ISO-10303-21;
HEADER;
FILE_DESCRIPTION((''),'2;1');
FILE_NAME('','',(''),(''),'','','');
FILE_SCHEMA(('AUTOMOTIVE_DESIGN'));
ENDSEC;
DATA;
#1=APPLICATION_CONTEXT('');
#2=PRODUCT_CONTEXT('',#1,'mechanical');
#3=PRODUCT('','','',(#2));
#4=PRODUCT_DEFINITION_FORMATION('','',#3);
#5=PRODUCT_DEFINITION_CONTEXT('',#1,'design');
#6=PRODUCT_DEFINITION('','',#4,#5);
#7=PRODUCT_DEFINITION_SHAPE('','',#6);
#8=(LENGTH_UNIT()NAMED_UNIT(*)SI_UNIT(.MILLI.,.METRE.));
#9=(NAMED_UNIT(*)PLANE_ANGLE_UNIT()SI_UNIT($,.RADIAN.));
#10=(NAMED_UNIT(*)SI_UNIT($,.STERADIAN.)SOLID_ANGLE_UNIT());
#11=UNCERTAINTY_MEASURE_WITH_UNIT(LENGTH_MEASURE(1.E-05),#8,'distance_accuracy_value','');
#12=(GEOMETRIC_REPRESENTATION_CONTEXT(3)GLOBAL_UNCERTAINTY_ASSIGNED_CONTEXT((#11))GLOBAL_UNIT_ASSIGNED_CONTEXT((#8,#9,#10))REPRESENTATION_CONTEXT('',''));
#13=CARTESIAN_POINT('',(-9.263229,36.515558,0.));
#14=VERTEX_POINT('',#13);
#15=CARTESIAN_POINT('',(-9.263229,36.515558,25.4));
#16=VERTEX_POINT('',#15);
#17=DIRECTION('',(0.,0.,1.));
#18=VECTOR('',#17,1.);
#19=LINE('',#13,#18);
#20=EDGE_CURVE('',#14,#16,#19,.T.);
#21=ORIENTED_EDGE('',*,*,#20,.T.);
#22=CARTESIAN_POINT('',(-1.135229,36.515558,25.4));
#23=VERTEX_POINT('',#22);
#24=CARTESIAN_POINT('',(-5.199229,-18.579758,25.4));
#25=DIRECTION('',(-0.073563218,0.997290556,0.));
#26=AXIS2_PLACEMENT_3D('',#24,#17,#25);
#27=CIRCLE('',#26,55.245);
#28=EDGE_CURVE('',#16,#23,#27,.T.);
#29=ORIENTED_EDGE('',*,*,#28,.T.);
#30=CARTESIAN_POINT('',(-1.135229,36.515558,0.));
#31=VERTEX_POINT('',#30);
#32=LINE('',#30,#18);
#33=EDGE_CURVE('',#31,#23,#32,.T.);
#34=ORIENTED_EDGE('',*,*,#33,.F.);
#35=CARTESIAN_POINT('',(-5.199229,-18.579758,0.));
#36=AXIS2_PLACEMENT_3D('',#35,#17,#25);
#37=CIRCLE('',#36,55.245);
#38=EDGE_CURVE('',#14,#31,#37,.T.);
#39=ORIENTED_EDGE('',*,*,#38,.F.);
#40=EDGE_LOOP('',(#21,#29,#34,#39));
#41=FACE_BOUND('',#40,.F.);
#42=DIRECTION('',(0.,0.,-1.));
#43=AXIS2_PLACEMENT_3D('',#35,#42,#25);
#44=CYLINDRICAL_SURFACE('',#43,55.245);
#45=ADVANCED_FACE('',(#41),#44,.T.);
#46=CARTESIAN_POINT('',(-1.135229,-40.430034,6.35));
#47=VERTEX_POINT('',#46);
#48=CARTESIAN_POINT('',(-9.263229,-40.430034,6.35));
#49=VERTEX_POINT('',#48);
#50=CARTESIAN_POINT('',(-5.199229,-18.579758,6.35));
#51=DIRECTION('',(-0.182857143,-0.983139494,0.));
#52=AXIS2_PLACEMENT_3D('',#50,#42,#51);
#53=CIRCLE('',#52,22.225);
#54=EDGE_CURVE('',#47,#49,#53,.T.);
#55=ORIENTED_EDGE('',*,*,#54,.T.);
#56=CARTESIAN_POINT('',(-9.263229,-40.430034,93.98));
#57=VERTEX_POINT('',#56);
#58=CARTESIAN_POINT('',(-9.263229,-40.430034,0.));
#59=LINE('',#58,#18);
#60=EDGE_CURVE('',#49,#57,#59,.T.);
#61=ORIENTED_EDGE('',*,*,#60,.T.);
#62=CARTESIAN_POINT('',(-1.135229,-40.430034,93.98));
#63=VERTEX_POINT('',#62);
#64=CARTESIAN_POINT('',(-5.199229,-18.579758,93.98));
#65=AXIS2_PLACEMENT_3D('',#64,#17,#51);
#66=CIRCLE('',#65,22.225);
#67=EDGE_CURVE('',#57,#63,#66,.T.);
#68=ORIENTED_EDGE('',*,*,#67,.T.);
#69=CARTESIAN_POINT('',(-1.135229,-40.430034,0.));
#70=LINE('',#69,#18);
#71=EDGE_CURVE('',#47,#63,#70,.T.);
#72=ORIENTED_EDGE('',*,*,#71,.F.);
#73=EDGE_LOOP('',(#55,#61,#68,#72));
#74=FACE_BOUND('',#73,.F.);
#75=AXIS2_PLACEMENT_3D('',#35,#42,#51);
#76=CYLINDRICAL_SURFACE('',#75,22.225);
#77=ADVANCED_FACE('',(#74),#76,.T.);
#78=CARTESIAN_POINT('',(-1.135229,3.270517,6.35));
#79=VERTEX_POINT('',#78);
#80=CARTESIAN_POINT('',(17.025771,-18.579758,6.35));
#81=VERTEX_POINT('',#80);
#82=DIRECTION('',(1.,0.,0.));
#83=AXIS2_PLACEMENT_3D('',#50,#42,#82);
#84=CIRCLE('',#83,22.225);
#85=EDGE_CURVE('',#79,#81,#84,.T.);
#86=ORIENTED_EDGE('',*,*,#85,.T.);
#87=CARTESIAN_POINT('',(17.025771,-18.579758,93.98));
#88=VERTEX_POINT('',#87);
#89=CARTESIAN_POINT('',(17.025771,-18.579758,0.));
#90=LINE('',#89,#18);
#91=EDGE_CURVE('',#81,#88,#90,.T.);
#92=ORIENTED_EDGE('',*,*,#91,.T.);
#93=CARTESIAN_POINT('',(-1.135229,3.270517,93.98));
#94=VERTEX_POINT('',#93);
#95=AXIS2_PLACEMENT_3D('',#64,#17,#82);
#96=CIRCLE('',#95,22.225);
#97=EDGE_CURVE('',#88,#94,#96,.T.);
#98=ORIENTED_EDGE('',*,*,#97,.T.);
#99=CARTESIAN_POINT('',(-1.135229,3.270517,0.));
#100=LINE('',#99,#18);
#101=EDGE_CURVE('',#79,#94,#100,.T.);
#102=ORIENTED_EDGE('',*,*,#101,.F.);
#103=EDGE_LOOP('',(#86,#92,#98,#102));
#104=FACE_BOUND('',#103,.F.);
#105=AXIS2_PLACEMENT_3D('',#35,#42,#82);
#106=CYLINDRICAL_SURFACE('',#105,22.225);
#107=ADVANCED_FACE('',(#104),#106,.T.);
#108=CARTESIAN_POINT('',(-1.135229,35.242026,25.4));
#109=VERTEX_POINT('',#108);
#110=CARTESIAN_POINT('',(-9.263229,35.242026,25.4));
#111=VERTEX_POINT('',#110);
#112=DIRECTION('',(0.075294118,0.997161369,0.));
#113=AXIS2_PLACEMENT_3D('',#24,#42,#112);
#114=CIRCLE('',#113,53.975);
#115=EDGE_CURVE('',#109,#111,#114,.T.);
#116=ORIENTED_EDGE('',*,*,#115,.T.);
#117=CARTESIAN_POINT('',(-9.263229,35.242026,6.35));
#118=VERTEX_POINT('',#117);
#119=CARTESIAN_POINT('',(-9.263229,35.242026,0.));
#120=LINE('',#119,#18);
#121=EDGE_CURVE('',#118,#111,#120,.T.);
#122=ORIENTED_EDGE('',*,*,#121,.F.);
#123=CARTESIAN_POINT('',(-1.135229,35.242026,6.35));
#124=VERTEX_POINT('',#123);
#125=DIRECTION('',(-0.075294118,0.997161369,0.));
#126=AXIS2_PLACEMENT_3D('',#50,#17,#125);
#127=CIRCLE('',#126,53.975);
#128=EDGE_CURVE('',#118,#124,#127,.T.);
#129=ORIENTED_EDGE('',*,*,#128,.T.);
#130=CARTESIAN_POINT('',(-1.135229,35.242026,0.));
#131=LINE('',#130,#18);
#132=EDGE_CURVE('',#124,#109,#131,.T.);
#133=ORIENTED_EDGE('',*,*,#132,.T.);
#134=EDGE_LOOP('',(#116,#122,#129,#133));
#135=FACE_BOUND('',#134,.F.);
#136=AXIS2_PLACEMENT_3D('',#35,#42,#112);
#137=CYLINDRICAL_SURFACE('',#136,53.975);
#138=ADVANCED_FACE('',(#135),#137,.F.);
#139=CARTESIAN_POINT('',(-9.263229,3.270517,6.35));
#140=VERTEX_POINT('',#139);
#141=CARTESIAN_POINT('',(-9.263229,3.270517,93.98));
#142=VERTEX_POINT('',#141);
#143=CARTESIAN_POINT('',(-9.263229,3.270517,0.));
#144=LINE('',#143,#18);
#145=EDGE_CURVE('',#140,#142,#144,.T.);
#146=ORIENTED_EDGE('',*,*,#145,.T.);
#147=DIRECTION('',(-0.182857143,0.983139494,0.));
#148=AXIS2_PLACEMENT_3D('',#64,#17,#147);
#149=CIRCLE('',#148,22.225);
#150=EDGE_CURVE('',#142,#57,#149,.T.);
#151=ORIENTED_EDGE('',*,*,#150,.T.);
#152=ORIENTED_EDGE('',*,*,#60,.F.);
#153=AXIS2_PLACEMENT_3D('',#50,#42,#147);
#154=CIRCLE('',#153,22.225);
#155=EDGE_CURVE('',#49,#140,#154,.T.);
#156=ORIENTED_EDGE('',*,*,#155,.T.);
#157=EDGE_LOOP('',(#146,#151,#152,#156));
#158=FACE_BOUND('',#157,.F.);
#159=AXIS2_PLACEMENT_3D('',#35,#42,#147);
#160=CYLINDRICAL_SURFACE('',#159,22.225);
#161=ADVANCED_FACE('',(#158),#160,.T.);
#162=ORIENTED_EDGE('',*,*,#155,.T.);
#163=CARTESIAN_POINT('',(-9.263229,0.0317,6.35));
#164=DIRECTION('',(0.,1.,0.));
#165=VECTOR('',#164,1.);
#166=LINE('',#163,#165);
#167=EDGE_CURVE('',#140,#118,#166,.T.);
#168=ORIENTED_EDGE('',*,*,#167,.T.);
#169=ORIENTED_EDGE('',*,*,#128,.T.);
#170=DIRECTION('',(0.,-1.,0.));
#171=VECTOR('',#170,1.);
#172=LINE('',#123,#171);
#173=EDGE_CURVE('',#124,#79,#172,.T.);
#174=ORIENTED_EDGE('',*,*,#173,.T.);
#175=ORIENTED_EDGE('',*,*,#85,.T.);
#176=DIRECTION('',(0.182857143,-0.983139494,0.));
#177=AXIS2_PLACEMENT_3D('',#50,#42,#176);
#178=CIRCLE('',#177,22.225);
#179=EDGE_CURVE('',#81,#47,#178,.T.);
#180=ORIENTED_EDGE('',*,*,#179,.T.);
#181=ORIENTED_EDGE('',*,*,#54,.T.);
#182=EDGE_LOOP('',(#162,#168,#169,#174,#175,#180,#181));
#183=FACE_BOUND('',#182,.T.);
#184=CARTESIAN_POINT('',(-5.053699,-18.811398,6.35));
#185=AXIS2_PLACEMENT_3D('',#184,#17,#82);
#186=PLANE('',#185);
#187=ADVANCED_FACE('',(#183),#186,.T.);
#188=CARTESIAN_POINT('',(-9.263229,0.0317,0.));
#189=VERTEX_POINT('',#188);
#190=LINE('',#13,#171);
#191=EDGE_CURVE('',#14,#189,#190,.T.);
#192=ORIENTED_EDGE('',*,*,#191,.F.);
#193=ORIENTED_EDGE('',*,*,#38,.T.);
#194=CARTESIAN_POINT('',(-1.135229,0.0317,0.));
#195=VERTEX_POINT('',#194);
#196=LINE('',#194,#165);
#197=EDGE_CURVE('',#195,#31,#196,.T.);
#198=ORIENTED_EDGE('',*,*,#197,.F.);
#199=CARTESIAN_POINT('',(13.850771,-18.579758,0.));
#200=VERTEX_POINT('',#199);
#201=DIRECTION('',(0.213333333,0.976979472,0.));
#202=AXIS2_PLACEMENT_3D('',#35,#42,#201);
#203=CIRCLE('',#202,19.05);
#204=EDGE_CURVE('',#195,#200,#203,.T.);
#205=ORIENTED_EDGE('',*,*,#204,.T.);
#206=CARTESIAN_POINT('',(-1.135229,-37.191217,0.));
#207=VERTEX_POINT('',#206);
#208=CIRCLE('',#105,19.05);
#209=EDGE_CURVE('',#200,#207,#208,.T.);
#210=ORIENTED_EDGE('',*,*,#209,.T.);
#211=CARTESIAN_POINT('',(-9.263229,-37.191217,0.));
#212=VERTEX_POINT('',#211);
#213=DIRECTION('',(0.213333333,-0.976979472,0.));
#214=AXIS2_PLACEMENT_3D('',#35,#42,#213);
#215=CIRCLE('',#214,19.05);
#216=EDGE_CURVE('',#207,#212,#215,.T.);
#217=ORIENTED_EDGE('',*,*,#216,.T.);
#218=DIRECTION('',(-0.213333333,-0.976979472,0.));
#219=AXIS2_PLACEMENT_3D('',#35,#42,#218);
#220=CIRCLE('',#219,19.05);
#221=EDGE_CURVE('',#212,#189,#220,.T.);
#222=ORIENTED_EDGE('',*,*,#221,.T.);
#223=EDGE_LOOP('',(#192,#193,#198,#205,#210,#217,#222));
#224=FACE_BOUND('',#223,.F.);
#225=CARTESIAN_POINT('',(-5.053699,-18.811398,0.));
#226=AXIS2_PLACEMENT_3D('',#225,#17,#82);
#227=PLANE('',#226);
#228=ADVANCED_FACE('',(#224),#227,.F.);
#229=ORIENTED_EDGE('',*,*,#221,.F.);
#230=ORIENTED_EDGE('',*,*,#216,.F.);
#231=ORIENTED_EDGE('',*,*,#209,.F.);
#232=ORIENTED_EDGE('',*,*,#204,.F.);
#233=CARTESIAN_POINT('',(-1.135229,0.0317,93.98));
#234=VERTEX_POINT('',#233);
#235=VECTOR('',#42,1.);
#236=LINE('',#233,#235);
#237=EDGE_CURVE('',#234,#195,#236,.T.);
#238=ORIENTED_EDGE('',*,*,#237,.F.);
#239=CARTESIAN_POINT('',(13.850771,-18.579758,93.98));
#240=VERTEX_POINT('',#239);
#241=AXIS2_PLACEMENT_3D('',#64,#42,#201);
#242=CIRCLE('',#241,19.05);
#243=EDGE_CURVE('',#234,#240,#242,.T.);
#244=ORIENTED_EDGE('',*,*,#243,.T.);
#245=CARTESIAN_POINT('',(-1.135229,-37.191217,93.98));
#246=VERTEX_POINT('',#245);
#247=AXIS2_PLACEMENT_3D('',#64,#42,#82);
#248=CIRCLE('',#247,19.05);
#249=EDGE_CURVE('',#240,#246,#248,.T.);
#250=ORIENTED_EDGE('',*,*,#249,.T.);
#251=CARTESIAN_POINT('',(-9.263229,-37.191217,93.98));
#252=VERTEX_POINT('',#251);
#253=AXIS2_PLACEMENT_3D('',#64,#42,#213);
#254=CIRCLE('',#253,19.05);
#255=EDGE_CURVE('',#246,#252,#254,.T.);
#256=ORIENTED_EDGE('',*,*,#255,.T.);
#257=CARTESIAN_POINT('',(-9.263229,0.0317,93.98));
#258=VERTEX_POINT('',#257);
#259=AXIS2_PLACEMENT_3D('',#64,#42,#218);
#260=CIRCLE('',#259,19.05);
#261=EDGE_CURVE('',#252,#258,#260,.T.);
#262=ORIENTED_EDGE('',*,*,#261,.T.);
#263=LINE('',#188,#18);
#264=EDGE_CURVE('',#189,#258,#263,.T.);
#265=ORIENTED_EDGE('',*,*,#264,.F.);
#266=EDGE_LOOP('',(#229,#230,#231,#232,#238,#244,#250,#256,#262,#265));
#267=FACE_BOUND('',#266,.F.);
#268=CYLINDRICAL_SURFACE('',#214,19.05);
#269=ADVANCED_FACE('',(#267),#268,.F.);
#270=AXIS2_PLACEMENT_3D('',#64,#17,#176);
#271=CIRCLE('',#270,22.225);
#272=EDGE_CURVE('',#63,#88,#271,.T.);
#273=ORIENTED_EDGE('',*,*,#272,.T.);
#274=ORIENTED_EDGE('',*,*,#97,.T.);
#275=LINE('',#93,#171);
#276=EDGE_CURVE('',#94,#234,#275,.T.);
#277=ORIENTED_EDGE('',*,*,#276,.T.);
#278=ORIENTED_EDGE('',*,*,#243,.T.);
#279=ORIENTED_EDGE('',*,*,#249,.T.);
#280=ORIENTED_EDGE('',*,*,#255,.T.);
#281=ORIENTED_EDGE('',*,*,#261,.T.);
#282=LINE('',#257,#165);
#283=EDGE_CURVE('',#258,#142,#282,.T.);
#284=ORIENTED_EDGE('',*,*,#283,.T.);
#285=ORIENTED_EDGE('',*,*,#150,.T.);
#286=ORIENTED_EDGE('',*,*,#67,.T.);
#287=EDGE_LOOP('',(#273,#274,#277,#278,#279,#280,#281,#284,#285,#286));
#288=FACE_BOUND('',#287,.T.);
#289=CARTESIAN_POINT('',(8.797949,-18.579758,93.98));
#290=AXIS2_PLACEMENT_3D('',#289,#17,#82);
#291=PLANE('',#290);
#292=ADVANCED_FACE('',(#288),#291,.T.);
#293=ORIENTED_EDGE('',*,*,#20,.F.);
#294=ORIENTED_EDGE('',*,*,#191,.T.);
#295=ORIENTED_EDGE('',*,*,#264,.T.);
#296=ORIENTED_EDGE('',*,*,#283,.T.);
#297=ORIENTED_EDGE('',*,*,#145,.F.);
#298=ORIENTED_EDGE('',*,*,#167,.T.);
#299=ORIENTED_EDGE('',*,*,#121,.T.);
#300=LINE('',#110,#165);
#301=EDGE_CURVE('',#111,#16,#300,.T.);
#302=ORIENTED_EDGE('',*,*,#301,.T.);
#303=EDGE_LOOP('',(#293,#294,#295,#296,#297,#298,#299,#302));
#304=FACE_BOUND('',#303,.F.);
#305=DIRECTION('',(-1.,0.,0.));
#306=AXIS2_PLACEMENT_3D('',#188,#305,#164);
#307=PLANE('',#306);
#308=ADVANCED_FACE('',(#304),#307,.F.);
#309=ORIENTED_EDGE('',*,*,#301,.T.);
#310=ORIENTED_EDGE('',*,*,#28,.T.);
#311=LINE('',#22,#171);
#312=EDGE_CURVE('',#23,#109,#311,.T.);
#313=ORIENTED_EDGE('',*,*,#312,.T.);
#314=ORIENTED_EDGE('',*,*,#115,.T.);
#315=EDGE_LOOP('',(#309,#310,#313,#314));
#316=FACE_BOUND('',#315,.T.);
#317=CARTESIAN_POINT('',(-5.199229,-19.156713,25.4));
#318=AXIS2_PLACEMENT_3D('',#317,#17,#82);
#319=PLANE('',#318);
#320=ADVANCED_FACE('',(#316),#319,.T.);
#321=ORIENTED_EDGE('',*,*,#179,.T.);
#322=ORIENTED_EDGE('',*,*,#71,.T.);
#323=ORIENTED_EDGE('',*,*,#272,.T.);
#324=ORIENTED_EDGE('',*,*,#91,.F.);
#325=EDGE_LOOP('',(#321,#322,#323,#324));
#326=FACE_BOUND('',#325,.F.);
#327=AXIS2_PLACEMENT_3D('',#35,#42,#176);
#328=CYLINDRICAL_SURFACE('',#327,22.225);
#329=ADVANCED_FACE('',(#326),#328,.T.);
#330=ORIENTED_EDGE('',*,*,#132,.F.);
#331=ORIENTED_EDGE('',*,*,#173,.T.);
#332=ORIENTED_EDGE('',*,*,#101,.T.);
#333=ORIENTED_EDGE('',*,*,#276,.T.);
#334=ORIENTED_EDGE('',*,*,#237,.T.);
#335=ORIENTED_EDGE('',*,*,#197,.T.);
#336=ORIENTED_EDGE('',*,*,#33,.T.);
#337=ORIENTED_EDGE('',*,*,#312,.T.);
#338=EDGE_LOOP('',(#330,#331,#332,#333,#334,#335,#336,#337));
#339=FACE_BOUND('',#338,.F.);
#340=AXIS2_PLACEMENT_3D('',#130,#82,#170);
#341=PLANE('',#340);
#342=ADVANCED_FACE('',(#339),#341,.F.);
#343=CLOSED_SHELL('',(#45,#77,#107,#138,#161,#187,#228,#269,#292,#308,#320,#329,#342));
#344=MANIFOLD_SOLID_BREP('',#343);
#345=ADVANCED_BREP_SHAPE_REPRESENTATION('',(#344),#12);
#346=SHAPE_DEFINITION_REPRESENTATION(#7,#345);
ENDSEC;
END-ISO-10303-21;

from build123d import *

# Parameters (mm, degrees)
F1_DEPTH = 25.4
F2_DEPTH = 6.35
F3_DEPTH = 93.98


with BuildPart() as f1:
    # F0 (on Top) → F1 (new body)
    with BuildSketch(Plane.XY):
        with BuildLine():
            ThreePointArc((-1.1352293447, 35.2420264333), (34.3776264235, 18.1213738464), (48.7757706553, -18.579758459))
            ThreePointArc((48.7757706553, -18.579758459), (-41.9003616501, -58.1566142273), (-9.2632293447, 35.2420264333))
            Line((-9.2632293447, 35.2420264333), (-9.2632293447, 36.515558302))
            ThreePointArc((-9.2632293447, 36.515558302), (-42.7990587659, -59.0552183391), (50.0457706553, -18.579758459))
            ThreePointArc((50.0457706553, -18.579758459), (35.2762305353, 19.0200709621), (-1.1352293447, 36.515558302))
            Line((-1.1352293447, 36.515558302), (-1.1352293447, 35.2420264333))
        make_face()
    extrude(amount=F1_DEPTH)

    # F0 (on Top) → F2 (join)
    with BuildSketch(Plane.XY):
        with BuildLine():
            ThreePointArc((-9.2632293447, 35.2420264333), (-41.9003616501, -58.1566142273), (48.7757706553, -18.579758459))
            ThreePointArc((48.7757706553, -18.579758459), (34.3776264235, 18.1213738464), (-1.1352293447, 35.2420264333))
            Line((-1.1352293447, 35.2420264333), (-1.1352293447, 3.2705168024))
            ThreePointArc((-1.1352293447, 3.2705168024), (11.8927720741, -4.3736290601), (17.0257706553, -18.579758459))
            ThreePointArc((17.0257706553, -18.579758459), (11.8927720741, -32.785887858), (-1.1352293447, -40.4300337205))
            Line((-1.1352293447, -40.4300337205), (-1.1352293447, -67.4839898818))
            Line((-1.1352293447, -67.4839898818), (-9.2632293447, -67.4839898818))
            Line((-9.2632293447, -67.4839898818), (-9.2632293447, -40.4300337205))
            ThreePointArc((-9.2632293447, -40.4300337205), (-27.4242293447, -18.579758459), (-9.2632293447, 3.2705168024))
            Line((-9.2632293447, 3.2705168024), (-9.2632293447, 35.2420264333))
        make_face()
        with BuildLine():
            ThreePointArc((17.0257706553, -18.579758459), (11.8927720741, -4.3736290601), (-1.1352293447, 3.2705168024))
            Line((-1.1352293447, 3.2705168024), (-1.1352293447, 0.0317004843))
            ThreePointArc((-1.1352293447, 0.0317004843), (9.6385888911, -6.6323047554), (13.8507706553, -18.579758459))
            ThreePointArc((13.8507706553, -18.579758459), (9.6385888911, -30.5272121626), (-1.1352293447, -37.1912174024))
            Line((-1.1352293447, -37.1912174024), (-1.1352293447, -40.4300337205))
            ThreePointArc((-1.1352293447, -40.4300337205), (11.8927720741, -32.785887858), (17.0257706553, -18.579758459))
        make_face()
        with BuildLine():
            Line((-9.2632293447, -37.1912174024), (-9.2632293447, -40.4300337205))
            ThreePointArc((-9.2632293447, -40.4300337205), (-5.1992293447, -40.804758459), (-1.1352293447, -40.4300337205))
            Line((-1.1352293447, -40.4300337205), (-1.1352293447, -37.1912174024))
            ThreePointArc((-1.1352293447, -37.1912174024), (-5.1992293447, -37.629758459), (-9.2632293447, -37.1912174024))
        make_face()
        with BuildLine():
            Line((-9.2632293447, 0.0317004843), (-9.2632293447, 3.2705168024))
            ThreePointArc((-9.2632293447, 3.2705168024), (-27.4242293447, -18.579758459), (-9.2632293447, -40.4300337205))
            Line((-9.2632293447, -40.4300337205), (-9.2632293447, -37.1912174024))
            ThreePointArc((-9.2632293447, -37.1912174024), (-24.2492293447, -18.579758459), (-9.2632293447, 0.0317004843))
        make_face()
        with BuildLine():
            ThreePointArc((-1.1352293447, -40.4300337205), (-5.1992293447, -40.804758459), (-9.2632293447, -40.4300337205))
            Line((-9.2632293447, -40.4300337205), (-9.2632293447, -67.4839898818))
            Line((-9.2632293447, -67.4839898818), (-1.1352293447, -67.4839898818))
            Line((-1.1352293447, -67.4839898818), (-1.1352293447, -40.4300337205))
        make_face()
    extrude(amount=F2_DEPTH)

    # F0 (on Top) → F3 (join)
    with BuildSketch(Plane.XY):
        with BuildLine():
            ThreePointArc((17.0257706553, -18.579758459), (11.8927720741, -4.3736290601), (-1.1352293447, 3.2705168024))
            Line((-1.1352293447, 3.2705168024), (-1.1352293447, 0.0317004843))
            ThreePointArc((-1.1352293447, 0.0317004843), (9.6385888911, -6.6323047554), (13.8507706553, -18.579758459))
            ThreePointArc((13.8507706553, -18.579758459), (9.6385888911, -30.5272121626), (-1.1352293447, -37.1912174024))
            Line((-1.1352293447, -37.1912174024), (-1.1352293447, -40.4300337205))
            ThreePointArc((-1.1352293447, -40.4300337205), (11.8927720741, -32.785887858), (17.0257706553, -18.579758459))
        make_face()
        with BuildLine():
            Line((-9.2632293447, -37.1912174024), (-9.2632293447, -40.4300337205))
            ThreePointArc((-9.2632293447, -40.4300337205), (-5.1992293447, -40.804758459), (-1.1352293447, -40.4300337205))
            Line((-1.1352293447, -40.4300337205), (-1.1352293447, -37.1912174024))
            ThreePointArc((-1.1352293447, -37.1912174024), (-5.1992293447, -37.629758459), (-9.2632293447, -37.1912174024))
        make_face()
        with BuildLine():
            Line((-9.2632293447, 0.0317004843), (-9.2632293447, 3.2705168024))
            ThreePointArc((-9.2632293447, 3.2705168024), (-27.4242293447, -18.579758459), (-9.2632293447, -40.4300337205))
            Line((-9.2632293447, -40.4300337205), (-9.2632293447, -37.1912174024))
            ThreePointArc((-9.2632293447, -37.1912174024), (-24.2492293447, -18.579758459), (-9.2632293447, 0.0317004843))
        make_face()
    extrude(amount=F3_DEPTH)


solid = f1.part
